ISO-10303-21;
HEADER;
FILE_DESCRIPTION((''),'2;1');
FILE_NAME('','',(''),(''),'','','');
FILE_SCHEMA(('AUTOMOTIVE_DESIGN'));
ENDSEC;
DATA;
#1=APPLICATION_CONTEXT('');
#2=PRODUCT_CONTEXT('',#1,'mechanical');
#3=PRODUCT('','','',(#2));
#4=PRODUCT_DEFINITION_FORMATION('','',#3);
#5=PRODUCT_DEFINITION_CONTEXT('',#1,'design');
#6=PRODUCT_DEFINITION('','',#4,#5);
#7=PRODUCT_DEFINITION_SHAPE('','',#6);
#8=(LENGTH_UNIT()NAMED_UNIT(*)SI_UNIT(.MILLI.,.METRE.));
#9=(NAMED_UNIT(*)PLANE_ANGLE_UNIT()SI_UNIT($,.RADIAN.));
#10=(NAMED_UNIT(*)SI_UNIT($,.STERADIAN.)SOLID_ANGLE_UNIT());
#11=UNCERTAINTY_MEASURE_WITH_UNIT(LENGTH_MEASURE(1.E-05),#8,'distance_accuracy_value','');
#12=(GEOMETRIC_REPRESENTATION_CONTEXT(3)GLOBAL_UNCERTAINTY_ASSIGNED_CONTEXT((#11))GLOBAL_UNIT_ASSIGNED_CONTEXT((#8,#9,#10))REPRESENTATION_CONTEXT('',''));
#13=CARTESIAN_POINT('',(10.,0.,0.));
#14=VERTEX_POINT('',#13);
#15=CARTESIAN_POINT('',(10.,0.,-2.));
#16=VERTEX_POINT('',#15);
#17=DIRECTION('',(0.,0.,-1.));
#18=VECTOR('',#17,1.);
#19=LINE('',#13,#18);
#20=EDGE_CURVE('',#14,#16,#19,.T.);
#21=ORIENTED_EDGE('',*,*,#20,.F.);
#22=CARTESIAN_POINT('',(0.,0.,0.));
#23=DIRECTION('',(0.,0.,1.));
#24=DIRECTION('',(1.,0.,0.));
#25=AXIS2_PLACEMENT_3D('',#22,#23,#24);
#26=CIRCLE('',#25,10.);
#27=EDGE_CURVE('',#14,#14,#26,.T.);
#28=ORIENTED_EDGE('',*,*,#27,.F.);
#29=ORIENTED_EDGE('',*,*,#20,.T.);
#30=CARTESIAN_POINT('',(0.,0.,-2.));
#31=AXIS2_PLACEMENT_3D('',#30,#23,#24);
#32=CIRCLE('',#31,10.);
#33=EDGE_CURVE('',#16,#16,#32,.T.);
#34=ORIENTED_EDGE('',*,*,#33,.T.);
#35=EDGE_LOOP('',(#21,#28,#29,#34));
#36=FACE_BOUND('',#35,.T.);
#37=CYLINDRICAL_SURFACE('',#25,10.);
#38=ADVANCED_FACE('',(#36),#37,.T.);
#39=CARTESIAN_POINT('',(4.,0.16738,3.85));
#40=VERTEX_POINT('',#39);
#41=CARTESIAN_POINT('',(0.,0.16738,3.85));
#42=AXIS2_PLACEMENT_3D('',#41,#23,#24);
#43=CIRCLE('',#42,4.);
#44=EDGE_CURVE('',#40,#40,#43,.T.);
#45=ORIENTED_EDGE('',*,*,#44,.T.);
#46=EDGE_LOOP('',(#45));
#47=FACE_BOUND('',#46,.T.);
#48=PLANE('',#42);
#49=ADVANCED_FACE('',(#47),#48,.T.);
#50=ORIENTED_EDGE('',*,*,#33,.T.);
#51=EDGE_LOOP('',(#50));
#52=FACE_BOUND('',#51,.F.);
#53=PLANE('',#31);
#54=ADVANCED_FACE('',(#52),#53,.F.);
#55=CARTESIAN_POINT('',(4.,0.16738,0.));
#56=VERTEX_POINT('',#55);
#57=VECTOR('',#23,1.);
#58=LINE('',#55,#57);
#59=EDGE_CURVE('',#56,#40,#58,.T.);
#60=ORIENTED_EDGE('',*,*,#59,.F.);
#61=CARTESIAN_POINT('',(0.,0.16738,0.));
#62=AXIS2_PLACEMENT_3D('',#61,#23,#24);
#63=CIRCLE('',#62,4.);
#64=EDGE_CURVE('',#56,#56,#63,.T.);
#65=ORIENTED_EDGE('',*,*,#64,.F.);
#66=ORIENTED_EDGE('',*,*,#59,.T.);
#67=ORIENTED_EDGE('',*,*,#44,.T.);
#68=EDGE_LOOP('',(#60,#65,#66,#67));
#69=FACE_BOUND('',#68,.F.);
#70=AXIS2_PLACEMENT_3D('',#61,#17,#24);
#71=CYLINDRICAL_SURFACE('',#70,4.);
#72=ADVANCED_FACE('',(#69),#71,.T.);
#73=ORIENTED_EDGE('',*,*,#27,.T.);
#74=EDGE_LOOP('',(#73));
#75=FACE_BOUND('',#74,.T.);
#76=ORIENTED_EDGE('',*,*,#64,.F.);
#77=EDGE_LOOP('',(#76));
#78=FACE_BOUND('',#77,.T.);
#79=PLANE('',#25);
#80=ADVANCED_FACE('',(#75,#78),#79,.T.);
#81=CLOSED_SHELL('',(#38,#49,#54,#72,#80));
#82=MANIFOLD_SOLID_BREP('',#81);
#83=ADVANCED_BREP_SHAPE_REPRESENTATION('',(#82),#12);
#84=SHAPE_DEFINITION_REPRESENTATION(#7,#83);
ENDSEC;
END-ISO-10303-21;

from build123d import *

# Parameters (mm, degrees)
F0_R     = 10
F0_R_2   = 4
F1_DEPTH = 2
F2_R     = 4
F3_DEPTH = 3.85


with BuildPart() as f1:
    # F0 (on Top) → F1 (new body)
    with BuildSketch(Plane.XY):
        Circle(F0_R)
        Circle(F0_R_2, mode=Mode.SUBTRACT)
        Circle(F0_R_2)
    extrude(amount=-F1_DEPTH)

    # F2 (on face) → F3 (join)
    with BuildSketch(Plane.XY):
        with Locations((0, 0.16738)):
            Circle(F2_R)
    extrude(amount=F3_DEPTH)


solid = f1.part
